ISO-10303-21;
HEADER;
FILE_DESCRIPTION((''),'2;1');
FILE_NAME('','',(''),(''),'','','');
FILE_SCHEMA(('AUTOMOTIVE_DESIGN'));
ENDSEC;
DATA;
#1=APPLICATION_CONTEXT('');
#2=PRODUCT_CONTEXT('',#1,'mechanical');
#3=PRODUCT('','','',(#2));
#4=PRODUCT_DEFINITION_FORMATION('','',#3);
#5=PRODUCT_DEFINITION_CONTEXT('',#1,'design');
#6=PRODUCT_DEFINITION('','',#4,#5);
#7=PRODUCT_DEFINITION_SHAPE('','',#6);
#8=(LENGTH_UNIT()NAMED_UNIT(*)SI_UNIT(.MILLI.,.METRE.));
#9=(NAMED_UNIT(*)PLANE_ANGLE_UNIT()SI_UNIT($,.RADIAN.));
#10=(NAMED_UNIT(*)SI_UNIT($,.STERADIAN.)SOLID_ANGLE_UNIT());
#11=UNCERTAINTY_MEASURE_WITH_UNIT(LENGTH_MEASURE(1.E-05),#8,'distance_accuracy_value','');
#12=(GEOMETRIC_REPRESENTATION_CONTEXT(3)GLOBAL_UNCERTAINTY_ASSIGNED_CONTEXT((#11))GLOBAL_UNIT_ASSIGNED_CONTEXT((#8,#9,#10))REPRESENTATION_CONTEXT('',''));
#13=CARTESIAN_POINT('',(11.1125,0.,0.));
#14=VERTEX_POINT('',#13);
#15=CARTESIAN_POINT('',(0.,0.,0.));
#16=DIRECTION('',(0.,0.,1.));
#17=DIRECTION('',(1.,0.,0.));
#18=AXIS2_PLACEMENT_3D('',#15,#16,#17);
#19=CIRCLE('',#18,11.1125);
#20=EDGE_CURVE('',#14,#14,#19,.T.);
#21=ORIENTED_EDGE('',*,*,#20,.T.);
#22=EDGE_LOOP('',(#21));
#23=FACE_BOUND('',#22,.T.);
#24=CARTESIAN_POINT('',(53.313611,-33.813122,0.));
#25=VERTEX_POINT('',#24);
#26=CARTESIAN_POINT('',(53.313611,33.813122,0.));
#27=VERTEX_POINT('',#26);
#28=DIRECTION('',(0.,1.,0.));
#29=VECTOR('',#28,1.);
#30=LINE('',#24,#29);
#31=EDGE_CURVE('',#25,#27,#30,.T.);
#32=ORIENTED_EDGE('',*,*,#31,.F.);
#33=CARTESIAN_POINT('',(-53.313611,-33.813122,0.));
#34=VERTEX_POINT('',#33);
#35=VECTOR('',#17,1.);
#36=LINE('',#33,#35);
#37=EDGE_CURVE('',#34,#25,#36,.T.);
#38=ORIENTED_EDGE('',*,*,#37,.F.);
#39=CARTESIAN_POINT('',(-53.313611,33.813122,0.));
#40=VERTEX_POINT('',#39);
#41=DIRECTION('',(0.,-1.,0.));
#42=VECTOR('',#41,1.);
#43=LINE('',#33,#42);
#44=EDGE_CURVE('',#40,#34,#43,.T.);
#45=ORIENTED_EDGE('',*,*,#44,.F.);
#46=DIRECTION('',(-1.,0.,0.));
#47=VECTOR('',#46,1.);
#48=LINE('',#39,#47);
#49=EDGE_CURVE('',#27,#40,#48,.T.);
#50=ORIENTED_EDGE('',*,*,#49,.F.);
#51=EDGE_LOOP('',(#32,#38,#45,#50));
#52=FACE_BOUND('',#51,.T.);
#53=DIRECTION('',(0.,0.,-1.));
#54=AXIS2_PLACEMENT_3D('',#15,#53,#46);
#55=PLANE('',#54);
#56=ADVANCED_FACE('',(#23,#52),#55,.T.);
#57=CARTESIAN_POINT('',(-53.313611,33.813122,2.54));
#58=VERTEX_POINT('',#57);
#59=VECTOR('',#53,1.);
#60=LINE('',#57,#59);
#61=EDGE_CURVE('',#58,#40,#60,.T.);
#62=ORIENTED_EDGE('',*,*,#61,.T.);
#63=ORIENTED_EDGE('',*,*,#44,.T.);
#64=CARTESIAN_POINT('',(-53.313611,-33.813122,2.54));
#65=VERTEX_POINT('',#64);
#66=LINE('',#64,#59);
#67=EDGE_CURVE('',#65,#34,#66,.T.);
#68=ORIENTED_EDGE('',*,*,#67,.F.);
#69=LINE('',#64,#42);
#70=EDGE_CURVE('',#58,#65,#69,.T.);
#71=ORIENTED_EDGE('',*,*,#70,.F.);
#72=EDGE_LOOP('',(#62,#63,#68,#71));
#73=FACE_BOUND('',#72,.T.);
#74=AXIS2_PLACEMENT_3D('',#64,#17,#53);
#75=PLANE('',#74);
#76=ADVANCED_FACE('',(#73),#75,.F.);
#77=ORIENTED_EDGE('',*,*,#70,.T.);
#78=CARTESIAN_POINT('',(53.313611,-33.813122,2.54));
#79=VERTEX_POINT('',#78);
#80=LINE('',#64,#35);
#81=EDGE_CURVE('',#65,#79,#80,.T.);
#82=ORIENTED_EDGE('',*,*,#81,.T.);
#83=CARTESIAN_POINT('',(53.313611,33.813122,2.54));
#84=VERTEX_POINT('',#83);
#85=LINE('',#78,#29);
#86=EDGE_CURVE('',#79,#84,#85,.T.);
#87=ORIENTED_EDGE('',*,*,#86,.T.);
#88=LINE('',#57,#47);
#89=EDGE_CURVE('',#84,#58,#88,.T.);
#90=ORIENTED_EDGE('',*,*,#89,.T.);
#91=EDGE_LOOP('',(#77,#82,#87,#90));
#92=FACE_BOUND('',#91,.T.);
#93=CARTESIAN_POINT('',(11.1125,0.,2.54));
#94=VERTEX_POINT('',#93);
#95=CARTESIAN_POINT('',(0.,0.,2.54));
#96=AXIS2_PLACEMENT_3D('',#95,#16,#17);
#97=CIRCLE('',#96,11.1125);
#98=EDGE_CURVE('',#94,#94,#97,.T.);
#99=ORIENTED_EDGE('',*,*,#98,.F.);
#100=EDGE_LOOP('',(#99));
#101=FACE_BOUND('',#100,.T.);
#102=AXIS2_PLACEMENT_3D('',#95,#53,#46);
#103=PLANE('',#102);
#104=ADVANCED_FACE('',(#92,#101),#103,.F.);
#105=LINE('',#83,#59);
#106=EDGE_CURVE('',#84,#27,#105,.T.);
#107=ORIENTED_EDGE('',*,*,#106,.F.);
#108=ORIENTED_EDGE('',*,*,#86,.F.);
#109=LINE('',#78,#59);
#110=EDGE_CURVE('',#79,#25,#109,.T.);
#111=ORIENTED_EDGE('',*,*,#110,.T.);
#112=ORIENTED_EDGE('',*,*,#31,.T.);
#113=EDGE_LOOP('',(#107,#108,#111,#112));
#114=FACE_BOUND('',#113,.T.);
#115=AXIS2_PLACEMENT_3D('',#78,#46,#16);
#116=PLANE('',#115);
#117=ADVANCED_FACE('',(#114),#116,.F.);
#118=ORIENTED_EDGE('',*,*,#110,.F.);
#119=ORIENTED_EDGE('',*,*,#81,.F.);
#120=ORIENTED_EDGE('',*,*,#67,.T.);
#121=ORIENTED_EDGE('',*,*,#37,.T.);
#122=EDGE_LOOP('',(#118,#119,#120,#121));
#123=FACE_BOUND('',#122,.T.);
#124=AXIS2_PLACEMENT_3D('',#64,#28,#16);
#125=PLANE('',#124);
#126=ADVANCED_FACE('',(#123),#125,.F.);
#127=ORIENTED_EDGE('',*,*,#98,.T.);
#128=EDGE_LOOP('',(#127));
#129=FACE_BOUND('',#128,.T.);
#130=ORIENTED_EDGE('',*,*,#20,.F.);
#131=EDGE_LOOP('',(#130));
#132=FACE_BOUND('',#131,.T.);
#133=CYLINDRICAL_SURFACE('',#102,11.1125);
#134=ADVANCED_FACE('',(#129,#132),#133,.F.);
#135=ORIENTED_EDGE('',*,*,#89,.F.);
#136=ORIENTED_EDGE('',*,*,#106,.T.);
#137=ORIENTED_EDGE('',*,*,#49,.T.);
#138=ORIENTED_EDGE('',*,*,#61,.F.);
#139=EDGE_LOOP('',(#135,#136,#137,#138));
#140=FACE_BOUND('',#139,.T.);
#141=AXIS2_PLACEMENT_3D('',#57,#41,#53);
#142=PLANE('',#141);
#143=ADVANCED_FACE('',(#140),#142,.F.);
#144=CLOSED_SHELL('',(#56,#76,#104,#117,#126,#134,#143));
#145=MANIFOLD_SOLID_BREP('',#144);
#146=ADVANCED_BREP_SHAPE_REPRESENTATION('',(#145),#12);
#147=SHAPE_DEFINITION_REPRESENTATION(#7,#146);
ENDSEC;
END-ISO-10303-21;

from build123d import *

# Parameters (mm, degrees)
SKETCH1_W           = 106.627222576
SKETCH1_H           = 67.626243964
SKETCH1_R           = 11.1125
BOSS_EXTRUDE1_DEPTH = 2.54


with BuildPart() as part:
    # Sketch1 → Boss-Extrude1 (new body)
    with BuildSketch(Plane.XY):
        Rectangle(SKETCH1_W, SKETCH1_H)
        Circle(SKETCH1_R, mode=Mode.SUBTRACT)
    extrude(amount=BOSS_EXTRUDE1_DEPTH)


solid = part.part
